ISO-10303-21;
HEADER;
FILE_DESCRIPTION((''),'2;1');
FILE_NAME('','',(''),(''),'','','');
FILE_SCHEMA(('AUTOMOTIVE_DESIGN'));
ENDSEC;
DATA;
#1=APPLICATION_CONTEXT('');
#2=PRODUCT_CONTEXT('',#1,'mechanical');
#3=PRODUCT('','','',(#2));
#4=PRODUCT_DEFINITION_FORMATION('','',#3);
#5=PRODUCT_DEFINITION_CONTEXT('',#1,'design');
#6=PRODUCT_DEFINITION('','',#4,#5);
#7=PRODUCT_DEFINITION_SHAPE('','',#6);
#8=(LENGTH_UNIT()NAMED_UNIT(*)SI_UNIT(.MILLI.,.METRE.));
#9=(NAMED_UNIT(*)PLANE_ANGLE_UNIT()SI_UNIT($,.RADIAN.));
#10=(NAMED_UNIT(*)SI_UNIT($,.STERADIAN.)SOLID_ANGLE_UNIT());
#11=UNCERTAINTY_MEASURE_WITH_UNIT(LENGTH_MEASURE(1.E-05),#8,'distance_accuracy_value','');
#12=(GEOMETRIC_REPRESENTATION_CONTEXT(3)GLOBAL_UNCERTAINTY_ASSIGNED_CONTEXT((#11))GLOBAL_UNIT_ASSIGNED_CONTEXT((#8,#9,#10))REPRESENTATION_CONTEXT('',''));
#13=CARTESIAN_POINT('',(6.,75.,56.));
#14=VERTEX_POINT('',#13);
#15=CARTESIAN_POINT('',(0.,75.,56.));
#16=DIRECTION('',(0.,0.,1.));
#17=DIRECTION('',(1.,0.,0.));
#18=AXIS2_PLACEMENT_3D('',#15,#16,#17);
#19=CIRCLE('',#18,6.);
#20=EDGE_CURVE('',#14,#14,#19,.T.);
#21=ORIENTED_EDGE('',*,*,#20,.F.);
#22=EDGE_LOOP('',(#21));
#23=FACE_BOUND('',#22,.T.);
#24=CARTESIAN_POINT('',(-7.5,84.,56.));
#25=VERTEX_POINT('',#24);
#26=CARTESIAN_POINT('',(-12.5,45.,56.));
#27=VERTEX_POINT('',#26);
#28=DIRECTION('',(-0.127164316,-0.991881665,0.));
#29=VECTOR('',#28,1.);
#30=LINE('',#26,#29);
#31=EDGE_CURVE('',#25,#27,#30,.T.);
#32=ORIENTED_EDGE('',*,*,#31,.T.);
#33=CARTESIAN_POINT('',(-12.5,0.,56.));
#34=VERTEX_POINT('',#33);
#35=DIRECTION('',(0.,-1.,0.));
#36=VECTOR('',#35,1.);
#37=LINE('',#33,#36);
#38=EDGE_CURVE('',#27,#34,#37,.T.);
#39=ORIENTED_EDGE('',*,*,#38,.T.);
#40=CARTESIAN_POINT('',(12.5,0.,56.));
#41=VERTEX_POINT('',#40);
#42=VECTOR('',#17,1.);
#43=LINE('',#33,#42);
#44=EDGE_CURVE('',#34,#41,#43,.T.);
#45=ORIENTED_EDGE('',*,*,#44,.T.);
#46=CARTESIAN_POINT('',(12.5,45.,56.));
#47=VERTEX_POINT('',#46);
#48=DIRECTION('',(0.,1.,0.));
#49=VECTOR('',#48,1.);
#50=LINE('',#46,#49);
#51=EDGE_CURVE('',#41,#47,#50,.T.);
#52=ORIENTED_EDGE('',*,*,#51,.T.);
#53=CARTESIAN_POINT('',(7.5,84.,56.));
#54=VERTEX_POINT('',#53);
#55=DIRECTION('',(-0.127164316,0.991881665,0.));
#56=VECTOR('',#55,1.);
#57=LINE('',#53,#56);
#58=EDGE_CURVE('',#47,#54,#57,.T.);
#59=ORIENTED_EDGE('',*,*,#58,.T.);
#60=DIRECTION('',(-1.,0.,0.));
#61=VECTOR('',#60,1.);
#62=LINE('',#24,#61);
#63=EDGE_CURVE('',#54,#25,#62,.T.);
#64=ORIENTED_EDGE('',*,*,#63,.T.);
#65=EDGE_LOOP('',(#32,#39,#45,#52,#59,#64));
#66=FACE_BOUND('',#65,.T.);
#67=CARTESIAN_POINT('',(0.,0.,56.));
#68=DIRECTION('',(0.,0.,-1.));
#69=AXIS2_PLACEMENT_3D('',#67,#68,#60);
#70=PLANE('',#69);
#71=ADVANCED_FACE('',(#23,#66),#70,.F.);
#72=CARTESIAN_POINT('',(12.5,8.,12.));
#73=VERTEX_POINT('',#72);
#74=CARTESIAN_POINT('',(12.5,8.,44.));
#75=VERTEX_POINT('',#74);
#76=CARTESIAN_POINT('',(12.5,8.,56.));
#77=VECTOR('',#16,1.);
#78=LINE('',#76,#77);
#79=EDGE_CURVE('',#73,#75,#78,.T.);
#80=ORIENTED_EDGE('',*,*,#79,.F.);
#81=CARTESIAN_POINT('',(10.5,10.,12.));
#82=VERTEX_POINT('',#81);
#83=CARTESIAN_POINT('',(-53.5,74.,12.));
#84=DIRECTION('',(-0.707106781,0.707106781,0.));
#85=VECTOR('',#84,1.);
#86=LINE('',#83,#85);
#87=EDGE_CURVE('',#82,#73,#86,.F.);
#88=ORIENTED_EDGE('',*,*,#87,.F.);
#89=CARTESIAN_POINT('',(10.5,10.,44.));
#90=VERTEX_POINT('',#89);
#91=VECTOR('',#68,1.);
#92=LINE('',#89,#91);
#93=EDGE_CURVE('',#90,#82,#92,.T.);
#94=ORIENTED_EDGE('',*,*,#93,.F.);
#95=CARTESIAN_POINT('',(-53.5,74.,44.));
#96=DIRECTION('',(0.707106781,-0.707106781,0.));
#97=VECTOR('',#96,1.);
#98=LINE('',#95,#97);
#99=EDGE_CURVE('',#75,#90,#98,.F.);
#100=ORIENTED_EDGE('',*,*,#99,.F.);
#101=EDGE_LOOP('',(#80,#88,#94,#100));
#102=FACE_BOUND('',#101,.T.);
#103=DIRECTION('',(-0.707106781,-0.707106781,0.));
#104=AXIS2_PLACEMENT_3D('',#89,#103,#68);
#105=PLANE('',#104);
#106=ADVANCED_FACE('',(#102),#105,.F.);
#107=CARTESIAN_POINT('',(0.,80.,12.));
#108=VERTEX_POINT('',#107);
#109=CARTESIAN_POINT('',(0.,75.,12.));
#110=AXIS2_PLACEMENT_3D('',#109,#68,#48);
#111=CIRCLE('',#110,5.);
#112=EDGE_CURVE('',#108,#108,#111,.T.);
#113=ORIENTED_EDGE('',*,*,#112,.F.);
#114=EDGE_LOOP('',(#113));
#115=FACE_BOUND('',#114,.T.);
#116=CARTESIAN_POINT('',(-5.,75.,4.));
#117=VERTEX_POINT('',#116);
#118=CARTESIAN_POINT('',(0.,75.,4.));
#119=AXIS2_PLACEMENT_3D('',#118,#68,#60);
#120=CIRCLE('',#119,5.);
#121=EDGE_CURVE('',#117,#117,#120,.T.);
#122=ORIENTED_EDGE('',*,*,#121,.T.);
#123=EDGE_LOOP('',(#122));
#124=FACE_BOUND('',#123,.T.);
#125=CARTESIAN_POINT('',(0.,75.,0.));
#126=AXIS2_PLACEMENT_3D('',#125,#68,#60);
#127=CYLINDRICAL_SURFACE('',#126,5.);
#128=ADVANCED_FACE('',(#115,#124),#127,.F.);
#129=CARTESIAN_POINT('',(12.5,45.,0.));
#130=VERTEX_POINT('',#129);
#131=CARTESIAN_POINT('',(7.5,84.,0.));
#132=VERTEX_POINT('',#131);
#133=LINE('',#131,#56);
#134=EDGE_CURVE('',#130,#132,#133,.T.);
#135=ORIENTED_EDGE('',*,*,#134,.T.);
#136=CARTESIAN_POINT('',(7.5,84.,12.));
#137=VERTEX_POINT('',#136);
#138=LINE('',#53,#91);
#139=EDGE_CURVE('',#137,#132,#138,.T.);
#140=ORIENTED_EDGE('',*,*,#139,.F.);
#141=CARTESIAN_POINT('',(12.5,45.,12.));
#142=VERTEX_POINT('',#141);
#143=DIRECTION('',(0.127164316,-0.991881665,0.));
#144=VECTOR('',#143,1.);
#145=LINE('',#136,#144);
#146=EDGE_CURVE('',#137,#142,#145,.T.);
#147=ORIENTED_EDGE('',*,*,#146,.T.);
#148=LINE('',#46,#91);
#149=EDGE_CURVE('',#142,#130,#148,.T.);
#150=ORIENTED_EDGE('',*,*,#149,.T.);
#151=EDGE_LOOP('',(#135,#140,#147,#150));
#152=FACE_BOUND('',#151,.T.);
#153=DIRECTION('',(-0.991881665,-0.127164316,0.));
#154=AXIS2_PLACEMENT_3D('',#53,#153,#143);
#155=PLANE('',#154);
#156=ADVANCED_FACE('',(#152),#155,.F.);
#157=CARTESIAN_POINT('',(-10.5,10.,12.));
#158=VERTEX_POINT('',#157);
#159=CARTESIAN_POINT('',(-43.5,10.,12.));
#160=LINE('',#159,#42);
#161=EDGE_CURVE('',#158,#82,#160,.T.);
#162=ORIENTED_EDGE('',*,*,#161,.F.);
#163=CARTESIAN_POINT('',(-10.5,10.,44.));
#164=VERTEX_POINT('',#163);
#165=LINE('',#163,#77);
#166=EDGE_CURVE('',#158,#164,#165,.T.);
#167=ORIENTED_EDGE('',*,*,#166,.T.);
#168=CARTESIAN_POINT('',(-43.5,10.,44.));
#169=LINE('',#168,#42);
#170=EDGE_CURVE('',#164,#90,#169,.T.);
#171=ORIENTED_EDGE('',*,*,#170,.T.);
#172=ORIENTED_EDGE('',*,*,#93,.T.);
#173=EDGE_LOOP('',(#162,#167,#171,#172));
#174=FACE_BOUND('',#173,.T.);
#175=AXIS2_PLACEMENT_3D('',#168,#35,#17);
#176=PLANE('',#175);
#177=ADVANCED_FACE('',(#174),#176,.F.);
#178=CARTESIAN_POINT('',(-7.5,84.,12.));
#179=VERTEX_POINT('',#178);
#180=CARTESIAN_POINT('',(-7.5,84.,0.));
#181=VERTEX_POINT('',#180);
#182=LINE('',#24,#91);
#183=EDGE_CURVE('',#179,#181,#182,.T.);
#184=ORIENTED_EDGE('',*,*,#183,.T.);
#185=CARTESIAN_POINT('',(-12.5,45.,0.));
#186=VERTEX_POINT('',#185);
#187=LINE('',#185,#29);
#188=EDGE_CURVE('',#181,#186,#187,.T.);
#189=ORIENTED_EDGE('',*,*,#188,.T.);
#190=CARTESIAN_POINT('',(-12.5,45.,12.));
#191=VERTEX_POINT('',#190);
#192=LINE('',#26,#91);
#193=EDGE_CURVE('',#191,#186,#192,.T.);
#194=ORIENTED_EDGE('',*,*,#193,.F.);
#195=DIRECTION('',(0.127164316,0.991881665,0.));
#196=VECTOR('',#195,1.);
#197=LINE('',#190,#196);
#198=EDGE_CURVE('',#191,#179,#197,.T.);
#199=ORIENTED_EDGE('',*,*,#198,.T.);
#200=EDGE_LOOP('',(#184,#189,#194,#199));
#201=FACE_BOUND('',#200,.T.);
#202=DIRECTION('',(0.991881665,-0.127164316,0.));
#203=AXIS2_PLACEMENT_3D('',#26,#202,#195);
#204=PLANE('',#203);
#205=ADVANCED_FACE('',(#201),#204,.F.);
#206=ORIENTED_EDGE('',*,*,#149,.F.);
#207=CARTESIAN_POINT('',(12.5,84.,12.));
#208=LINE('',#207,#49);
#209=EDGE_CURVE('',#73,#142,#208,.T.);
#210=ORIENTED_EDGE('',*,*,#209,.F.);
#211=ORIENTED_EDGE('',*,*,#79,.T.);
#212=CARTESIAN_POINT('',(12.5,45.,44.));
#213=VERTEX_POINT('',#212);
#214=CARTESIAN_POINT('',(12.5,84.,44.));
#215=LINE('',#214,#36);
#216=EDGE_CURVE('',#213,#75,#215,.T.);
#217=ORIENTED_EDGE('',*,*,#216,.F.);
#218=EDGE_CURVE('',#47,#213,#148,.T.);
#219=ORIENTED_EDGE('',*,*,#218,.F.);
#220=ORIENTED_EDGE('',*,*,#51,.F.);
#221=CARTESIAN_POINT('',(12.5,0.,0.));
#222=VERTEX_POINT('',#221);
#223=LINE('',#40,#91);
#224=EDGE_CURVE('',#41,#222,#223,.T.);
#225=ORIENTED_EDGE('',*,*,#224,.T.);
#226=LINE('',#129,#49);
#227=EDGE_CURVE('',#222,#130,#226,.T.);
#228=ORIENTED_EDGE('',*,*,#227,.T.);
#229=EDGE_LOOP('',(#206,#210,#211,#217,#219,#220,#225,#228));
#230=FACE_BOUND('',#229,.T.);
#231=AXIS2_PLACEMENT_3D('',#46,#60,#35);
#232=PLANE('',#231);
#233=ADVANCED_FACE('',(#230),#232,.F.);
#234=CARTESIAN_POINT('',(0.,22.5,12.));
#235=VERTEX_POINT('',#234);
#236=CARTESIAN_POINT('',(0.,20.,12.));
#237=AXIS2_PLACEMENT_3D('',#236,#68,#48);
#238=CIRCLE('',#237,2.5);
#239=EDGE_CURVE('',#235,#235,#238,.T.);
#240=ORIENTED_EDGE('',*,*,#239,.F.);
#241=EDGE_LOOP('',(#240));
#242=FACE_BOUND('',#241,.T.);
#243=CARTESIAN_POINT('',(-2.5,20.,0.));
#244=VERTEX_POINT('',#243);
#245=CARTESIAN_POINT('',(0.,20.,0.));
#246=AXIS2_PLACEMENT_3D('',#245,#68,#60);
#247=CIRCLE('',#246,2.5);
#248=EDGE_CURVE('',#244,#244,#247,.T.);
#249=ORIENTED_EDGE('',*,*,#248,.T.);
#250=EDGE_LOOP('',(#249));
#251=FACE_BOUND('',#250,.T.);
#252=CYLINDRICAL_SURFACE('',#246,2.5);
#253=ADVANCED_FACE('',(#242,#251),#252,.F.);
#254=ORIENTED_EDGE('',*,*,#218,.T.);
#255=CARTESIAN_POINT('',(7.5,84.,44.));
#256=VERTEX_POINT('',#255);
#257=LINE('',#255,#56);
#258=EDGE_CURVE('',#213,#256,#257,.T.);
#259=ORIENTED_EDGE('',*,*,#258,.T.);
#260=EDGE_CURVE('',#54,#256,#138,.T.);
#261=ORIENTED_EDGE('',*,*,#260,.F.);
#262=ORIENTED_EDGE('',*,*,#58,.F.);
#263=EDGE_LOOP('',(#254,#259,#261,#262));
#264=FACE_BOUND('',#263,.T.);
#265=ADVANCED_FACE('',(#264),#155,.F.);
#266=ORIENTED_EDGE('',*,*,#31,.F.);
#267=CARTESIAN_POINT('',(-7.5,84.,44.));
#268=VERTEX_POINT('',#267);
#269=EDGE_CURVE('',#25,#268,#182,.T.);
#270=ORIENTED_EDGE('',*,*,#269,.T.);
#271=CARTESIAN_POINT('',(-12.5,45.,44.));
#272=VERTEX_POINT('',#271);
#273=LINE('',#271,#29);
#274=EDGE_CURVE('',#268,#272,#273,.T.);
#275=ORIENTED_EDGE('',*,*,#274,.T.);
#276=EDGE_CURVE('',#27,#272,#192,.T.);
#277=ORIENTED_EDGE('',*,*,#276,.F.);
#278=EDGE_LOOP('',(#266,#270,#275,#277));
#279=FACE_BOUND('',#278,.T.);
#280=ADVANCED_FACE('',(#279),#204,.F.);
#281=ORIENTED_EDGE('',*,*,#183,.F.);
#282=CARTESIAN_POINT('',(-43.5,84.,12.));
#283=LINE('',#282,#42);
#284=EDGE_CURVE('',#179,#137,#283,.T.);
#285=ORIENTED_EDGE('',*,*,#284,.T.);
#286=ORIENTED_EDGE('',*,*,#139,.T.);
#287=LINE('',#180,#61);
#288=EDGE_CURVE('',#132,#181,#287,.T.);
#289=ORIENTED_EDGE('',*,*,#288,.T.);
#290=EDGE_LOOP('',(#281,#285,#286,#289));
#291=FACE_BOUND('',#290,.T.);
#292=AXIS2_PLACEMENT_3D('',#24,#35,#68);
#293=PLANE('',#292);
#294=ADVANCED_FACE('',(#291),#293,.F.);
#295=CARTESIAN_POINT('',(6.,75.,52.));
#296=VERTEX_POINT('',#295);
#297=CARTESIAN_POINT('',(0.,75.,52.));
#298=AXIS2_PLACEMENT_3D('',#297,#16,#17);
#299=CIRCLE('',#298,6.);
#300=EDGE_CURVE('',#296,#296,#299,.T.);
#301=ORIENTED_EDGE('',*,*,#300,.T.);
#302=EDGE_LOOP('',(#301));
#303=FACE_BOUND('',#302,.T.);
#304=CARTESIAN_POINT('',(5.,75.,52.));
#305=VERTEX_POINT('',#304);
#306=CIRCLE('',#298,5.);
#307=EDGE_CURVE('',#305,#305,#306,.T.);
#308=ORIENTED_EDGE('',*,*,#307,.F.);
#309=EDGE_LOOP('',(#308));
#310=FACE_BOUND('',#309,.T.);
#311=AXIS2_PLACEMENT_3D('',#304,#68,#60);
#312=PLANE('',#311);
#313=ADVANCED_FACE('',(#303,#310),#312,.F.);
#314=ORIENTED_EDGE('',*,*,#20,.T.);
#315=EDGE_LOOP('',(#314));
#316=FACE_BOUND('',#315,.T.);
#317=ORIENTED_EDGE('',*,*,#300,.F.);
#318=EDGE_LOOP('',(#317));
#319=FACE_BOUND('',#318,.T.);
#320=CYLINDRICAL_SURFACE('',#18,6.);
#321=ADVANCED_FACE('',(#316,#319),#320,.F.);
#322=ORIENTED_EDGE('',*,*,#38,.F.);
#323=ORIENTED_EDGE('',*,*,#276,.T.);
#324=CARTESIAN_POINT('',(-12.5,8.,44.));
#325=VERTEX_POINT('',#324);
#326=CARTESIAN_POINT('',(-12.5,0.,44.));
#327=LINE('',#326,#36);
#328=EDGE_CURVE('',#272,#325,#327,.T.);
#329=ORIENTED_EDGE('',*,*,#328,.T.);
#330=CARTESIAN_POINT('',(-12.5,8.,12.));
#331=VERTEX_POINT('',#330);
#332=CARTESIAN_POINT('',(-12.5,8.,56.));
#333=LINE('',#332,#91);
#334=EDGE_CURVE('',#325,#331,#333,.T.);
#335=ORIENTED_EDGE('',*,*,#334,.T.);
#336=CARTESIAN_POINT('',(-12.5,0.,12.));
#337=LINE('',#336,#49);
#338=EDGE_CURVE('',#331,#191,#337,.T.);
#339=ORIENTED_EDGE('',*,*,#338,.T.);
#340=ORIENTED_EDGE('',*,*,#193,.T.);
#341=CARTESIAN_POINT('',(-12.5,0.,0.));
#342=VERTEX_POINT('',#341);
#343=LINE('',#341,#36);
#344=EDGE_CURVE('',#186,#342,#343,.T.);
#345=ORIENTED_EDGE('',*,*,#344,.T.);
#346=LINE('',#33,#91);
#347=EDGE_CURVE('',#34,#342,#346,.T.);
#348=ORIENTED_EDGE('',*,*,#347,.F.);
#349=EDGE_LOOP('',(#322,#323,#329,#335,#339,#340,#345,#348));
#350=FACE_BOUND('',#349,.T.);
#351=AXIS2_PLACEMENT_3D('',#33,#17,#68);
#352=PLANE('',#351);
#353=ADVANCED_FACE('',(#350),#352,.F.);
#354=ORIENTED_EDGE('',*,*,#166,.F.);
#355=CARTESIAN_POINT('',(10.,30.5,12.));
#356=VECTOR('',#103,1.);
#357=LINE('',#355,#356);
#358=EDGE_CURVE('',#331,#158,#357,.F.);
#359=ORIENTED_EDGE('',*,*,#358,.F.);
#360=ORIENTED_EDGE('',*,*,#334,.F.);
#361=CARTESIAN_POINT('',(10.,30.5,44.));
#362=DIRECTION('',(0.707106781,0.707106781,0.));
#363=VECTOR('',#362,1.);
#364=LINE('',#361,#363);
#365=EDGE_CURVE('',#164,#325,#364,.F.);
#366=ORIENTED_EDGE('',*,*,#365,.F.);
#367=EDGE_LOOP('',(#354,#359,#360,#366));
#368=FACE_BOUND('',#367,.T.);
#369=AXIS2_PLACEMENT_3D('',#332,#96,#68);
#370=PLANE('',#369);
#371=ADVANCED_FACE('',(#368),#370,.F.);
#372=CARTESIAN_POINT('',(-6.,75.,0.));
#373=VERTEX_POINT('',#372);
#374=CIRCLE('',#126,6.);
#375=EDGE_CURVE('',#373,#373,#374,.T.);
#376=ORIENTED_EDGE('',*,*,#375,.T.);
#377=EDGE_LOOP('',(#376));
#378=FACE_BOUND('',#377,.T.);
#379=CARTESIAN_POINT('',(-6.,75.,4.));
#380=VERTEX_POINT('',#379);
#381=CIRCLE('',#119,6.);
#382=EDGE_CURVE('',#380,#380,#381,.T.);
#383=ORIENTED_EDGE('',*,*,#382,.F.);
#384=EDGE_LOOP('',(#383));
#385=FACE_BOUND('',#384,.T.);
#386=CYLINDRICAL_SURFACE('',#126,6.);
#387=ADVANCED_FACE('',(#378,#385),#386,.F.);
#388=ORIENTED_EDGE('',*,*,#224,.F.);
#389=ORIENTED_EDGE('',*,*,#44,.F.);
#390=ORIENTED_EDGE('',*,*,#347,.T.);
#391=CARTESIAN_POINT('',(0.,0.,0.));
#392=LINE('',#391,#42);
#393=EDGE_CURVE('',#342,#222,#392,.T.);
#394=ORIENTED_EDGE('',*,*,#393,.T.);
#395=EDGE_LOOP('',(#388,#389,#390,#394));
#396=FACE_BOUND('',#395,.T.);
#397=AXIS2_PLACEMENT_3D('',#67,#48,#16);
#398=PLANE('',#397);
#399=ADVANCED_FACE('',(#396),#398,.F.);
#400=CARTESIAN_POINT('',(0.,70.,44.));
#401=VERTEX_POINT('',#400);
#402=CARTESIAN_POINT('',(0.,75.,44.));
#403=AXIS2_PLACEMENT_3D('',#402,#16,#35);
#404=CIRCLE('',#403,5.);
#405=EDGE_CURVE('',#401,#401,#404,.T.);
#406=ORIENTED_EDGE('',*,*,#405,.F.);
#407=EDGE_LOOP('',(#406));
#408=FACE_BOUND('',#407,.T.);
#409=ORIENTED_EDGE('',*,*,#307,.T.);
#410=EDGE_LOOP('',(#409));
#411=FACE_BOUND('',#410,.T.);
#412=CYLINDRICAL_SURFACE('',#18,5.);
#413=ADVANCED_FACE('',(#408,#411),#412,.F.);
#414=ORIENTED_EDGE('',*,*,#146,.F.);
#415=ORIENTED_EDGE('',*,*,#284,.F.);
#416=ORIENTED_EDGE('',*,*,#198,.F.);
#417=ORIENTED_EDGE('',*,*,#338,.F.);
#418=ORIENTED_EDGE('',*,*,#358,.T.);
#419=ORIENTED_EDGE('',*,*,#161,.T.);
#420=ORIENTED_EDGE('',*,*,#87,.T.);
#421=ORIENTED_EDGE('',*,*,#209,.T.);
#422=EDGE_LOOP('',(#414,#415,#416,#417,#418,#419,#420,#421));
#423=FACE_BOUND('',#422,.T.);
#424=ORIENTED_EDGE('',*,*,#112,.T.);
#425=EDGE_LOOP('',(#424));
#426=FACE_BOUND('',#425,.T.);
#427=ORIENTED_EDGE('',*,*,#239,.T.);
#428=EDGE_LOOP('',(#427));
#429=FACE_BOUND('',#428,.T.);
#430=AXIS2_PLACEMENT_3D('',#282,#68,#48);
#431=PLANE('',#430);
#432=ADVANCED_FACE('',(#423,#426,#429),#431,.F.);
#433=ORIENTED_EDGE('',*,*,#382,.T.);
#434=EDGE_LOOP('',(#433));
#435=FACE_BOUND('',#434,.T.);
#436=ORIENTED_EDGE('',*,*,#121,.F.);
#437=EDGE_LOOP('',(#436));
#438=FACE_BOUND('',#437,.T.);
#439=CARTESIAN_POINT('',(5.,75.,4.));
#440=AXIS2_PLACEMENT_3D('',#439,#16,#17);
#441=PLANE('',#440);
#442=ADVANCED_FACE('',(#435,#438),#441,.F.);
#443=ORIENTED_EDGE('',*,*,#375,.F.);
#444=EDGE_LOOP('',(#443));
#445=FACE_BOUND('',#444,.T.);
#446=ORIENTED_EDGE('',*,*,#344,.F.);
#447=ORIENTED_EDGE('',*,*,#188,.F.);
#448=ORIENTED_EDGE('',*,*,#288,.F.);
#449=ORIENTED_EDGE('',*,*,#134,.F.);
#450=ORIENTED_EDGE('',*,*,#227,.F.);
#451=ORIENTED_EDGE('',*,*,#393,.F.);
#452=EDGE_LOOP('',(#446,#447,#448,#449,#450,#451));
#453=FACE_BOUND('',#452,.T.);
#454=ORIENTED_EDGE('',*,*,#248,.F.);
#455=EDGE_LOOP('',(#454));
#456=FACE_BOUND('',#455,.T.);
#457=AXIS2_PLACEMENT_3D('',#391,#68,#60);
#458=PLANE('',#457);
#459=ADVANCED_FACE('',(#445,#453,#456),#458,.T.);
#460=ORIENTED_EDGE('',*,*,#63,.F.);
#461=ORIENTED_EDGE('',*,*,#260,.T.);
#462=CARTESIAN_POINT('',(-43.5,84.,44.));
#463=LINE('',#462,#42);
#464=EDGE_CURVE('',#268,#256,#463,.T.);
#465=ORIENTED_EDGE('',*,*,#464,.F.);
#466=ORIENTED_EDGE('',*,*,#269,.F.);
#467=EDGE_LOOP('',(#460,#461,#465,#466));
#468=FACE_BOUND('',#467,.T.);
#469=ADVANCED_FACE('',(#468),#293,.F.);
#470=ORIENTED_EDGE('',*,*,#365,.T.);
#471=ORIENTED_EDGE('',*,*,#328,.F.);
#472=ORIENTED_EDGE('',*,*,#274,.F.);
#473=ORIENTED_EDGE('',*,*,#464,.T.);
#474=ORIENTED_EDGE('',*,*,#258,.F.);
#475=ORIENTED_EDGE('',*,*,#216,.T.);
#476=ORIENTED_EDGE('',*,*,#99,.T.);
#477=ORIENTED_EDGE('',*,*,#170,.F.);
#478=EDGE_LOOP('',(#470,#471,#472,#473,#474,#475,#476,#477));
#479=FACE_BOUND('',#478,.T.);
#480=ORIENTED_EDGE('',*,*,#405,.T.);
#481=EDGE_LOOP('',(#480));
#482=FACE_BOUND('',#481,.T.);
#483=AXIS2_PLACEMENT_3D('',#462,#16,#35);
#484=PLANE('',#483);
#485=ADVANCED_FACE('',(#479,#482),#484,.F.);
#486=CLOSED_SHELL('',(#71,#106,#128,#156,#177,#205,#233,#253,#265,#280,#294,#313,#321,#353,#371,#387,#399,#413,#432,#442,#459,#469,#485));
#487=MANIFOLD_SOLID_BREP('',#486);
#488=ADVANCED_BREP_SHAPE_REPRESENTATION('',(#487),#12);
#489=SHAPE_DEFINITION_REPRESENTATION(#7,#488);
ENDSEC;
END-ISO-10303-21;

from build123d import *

# Parameters (mm, degrees)
BOSS_EXTRUDE1_DEPTH                     = 56
SKETCH2_W                               = 32
SKETCH2_H                               = 74
CUT_EXTRUDE1_DEPTH                      = 56
CHAMFER1_SIZE                           = 2
CBORE_FOR_M6_HEX_HEAD_BOLT1_D           = 10
CBORE_FOR_M6_HEX_HEAD_BOLT1_DEPTH       = 20
CBORE_FOR_M6_HEX_HEAD_BOLT1_CBORE_D     = 12
CBORE_FOR_M6_HEX_HEAD_BOLT1_CBORE_DEPTH = 4
CBORE_FOR_M6_HEX_HEAD_BOLT1_TIP         = 3.004303095
CBORE_FOR_M6_HEX_HEAD_BOLT3_D           = 10
CBORE_FOR_M6_HEX_HEAD_BOLT3_DEPTH       = 20
CBORE_FOR_M6_HEX_HEAD_BOLT3_CBORE_D     = 12
CBORE_FOR_M6_HEX_HEAD_BOLT3_CBORE_DEPTH = 4
CBORE_FOR_M6_HEX_HEAD_BOLT3_TIP         = 3.004303095
M6X1_0_TAPPED_HOLE1_D                   = 5
M6X1_0_TAPPED_HOLE1_DEPTH               = 27
M6X1_0_TAPPED_HOLE1_TIP                 = 1.502151548


with BuildPart() as part:
    # Sketch1 → Boss-Extrude1 (new body)
    with BuildSketch(Plane.XY):
        Polygon((0, 0), (12.5, 0), (12.5, 45), (7.5, 84), (-7.5, 84), (-12.5, 45), (-12.5, 0), align=None)
    extrude(amount=BOSS_EXTRUDE1_DEPTH)

    # Sketch2 → Cut-Extrude1 (cut)
    with BuildSketch(Plane(origin=(12.5, 0, 0), x_dir=(0, 0, -1), z_dir=(1, 0, 0))):
        with Locations((-28, 47)):
            Rectangle(SKETCH2_W, SKETCH2_H)
    extrude(amount=-CUT_EXTRUDE1_DEPTH, mode=Mode.SUBTRACT)

    # Chamfer1
    chamfer1_edges = [part.edges().sort_by_distance(p)[0] for p in [
        (-12.5, 10, 28),
        (12.5, 10, 28),
    ]]
    chamfer(chamfer1_edges, length=CHAMFER1_SIZE)

    # CBORE for M6 Hex Head Bolt1
    with Locations(Plane.XY.offset(56)):
        with Locations((0, 75)):
            CounterBoreHole(CBORE_FOR_M6_HEX_HEAD_BOLT1_D / 2, CBORE_FOR_M6_HEX_HEAD_BOLT1_CBORE_D / 2, CBORE_FOR_M6_HEX_HEAD_BOLT1_CBORE_DEPTH, depth=CBORE_FOR_M6_HEX_HEAD_BOLT1_DEPTH)
            with Locations((0, 0, -(CBORE_FOR_M6_HEX_HEAD_BOLT1_DEPTH + CBORE_FOR_M6_HEX_HEAD_BOLT1_TIP / 2))):  # 118° drill point
                Cone(0, CBORE_FOR_M6_HEX_HEAD_BOLT1_D / 2, CBORE_FOR_M6_HEX_HEAD_BOLT1_TIP, mode=Mode.SUBTRACT)

    # CBORE for M6 Hex Head Bolt3
    with Locations(Plane(origin=(0, 0, 0), x_dir=(-1, 0, 0), z_dir=(0, 0, -1))):
        with Locations((0, 75)):
            CounterBoreHole(CBORE_FOR_M6_HEX_HEAD_BOLT3_D / 2, CBORE_FOR_M6_HEX_HEAD_BOLT3_CBORE_D / 2, CBORE_FOR_M6_HEX_HEAD_BOLT3_CBORE_DEPTH, depth=CBORE_FOR_M6_HEX_HEAD_BOLT3_DEPTH)
            with Locations((0, 0, -(CBORE_FOR_M6_HEX_HEAD_BOLT3_DEPTH + CBORE_FOR_M6_HEX_HEAD_BOLT3_TIP / 2))):  # 118° drill point
                Cone(0, CBORE_FOR_M6_HEX_HEAD_BOLT3_D / 2, CBORE_FOR_M6_HEX_HEAD_BOLT3_TIP, mode=Mode.SUBTRACT)

    # M6x1.0 Tapped Hole1
    with Locations(Plane(origin=(0, 20, 0), x_dir=(-1, 0, 0), z_dir=(0, 0, -1))):
        with Locations((0, 0)):
            Hole(M6X1_0_TAPPED_HOLE1_D / 2, depth=M6X1_0_TAPPED_HOLE1_DEPTH)
            with Locations((0, 0, -(M6X1_0_TAPPED_HOLE1_DEPTH + M6X1_0_TAPPED_HOLE1_TIP / 2))):  # 118° drill point
                Cone(0, M6X1_0_TAPPED_HOLE1_D / 2, M6X1_0_TAPPED_HOLE1_TIP, mode=Mode.SUBTRACT)


solid = part.part
